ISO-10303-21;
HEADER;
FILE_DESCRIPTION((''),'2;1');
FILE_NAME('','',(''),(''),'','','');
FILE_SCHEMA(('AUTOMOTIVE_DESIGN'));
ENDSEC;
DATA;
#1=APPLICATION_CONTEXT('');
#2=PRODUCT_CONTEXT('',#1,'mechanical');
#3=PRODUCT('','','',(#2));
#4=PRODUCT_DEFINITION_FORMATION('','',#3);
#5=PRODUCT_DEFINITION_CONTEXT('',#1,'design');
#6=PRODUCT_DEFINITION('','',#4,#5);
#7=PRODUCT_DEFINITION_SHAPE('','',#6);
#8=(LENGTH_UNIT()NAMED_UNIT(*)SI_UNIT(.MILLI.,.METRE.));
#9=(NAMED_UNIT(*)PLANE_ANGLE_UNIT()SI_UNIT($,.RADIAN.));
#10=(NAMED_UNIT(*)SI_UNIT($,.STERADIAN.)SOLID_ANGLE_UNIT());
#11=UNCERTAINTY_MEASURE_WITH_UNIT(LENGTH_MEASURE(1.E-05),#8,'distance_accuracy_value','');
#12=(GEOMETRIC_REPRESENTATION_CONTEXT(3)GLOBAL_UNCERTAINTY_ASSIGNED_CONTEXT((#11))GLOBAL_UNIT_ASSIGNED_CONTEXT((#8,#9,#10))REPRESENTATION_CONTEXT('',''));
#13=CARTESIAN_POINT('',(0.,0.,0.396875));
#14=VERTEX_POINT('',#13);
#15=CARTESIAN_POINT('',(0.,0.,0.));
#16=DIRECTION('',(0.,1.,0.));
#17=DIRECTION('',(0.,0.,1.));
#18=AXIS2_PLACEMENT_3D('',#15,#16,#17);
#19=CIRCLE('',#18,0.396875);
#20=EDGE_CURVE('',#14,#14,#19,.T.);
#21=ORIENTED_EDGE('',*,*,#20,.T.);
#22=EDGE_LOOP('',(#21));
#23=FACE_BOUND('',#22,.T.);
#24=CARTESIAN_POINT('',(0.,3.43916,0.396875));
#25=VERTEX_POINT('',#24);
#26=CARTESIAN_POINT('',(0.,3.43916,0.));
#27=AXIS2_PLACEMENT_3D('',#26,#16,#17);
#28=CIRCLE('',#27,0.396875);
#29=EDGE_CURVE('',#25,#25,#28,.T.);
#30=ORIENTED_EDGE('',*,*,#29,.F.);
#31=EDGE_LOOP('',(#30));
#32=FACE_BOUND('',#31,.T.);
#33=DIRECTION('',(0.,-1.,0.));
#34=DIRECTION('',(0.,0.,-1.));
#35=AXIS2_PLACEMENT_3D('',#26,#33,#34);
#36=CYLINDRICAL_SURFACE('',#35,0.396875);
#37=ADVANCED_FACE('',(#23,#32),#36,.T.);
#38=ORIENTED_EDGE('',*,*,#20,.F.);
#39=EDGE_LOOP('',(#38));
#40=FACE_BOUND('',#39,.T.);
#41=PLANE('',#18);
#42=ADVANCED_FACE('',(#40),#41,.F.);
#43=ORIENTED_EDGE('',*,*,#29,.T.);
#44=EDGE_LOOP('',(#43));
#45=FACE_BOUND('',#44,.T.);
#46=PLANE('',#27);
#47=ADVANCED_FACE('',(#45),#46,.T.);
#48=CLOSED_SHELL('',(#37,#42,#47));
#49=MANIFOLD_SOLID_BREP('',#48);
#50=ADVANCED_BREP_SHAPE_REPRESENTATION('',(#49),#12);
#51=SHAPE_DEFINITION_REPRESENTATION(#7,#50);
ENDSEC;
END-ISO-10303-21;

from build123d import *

# Parameters (mm, degrees)
SKETCH1_R           = 0.396875
BOSS_EXTRUDE1_DEPTH = 3.43916


with BuildPart() as part:
    # Sketch1 → Boss-Extrude1 (new body)
    with BuildSketch(Plane(origin=(0, 0, 0), x_dir=(1, 0, 0), z_dir=(0, 1, 0))):
        with Locations(Location((0, 0, 0), (0, 0, 270))):
            Circle(SKETCH1_R)
    extrude(amount=BOSS_EXTRUDE1_DEPTH)


solid = part.part
